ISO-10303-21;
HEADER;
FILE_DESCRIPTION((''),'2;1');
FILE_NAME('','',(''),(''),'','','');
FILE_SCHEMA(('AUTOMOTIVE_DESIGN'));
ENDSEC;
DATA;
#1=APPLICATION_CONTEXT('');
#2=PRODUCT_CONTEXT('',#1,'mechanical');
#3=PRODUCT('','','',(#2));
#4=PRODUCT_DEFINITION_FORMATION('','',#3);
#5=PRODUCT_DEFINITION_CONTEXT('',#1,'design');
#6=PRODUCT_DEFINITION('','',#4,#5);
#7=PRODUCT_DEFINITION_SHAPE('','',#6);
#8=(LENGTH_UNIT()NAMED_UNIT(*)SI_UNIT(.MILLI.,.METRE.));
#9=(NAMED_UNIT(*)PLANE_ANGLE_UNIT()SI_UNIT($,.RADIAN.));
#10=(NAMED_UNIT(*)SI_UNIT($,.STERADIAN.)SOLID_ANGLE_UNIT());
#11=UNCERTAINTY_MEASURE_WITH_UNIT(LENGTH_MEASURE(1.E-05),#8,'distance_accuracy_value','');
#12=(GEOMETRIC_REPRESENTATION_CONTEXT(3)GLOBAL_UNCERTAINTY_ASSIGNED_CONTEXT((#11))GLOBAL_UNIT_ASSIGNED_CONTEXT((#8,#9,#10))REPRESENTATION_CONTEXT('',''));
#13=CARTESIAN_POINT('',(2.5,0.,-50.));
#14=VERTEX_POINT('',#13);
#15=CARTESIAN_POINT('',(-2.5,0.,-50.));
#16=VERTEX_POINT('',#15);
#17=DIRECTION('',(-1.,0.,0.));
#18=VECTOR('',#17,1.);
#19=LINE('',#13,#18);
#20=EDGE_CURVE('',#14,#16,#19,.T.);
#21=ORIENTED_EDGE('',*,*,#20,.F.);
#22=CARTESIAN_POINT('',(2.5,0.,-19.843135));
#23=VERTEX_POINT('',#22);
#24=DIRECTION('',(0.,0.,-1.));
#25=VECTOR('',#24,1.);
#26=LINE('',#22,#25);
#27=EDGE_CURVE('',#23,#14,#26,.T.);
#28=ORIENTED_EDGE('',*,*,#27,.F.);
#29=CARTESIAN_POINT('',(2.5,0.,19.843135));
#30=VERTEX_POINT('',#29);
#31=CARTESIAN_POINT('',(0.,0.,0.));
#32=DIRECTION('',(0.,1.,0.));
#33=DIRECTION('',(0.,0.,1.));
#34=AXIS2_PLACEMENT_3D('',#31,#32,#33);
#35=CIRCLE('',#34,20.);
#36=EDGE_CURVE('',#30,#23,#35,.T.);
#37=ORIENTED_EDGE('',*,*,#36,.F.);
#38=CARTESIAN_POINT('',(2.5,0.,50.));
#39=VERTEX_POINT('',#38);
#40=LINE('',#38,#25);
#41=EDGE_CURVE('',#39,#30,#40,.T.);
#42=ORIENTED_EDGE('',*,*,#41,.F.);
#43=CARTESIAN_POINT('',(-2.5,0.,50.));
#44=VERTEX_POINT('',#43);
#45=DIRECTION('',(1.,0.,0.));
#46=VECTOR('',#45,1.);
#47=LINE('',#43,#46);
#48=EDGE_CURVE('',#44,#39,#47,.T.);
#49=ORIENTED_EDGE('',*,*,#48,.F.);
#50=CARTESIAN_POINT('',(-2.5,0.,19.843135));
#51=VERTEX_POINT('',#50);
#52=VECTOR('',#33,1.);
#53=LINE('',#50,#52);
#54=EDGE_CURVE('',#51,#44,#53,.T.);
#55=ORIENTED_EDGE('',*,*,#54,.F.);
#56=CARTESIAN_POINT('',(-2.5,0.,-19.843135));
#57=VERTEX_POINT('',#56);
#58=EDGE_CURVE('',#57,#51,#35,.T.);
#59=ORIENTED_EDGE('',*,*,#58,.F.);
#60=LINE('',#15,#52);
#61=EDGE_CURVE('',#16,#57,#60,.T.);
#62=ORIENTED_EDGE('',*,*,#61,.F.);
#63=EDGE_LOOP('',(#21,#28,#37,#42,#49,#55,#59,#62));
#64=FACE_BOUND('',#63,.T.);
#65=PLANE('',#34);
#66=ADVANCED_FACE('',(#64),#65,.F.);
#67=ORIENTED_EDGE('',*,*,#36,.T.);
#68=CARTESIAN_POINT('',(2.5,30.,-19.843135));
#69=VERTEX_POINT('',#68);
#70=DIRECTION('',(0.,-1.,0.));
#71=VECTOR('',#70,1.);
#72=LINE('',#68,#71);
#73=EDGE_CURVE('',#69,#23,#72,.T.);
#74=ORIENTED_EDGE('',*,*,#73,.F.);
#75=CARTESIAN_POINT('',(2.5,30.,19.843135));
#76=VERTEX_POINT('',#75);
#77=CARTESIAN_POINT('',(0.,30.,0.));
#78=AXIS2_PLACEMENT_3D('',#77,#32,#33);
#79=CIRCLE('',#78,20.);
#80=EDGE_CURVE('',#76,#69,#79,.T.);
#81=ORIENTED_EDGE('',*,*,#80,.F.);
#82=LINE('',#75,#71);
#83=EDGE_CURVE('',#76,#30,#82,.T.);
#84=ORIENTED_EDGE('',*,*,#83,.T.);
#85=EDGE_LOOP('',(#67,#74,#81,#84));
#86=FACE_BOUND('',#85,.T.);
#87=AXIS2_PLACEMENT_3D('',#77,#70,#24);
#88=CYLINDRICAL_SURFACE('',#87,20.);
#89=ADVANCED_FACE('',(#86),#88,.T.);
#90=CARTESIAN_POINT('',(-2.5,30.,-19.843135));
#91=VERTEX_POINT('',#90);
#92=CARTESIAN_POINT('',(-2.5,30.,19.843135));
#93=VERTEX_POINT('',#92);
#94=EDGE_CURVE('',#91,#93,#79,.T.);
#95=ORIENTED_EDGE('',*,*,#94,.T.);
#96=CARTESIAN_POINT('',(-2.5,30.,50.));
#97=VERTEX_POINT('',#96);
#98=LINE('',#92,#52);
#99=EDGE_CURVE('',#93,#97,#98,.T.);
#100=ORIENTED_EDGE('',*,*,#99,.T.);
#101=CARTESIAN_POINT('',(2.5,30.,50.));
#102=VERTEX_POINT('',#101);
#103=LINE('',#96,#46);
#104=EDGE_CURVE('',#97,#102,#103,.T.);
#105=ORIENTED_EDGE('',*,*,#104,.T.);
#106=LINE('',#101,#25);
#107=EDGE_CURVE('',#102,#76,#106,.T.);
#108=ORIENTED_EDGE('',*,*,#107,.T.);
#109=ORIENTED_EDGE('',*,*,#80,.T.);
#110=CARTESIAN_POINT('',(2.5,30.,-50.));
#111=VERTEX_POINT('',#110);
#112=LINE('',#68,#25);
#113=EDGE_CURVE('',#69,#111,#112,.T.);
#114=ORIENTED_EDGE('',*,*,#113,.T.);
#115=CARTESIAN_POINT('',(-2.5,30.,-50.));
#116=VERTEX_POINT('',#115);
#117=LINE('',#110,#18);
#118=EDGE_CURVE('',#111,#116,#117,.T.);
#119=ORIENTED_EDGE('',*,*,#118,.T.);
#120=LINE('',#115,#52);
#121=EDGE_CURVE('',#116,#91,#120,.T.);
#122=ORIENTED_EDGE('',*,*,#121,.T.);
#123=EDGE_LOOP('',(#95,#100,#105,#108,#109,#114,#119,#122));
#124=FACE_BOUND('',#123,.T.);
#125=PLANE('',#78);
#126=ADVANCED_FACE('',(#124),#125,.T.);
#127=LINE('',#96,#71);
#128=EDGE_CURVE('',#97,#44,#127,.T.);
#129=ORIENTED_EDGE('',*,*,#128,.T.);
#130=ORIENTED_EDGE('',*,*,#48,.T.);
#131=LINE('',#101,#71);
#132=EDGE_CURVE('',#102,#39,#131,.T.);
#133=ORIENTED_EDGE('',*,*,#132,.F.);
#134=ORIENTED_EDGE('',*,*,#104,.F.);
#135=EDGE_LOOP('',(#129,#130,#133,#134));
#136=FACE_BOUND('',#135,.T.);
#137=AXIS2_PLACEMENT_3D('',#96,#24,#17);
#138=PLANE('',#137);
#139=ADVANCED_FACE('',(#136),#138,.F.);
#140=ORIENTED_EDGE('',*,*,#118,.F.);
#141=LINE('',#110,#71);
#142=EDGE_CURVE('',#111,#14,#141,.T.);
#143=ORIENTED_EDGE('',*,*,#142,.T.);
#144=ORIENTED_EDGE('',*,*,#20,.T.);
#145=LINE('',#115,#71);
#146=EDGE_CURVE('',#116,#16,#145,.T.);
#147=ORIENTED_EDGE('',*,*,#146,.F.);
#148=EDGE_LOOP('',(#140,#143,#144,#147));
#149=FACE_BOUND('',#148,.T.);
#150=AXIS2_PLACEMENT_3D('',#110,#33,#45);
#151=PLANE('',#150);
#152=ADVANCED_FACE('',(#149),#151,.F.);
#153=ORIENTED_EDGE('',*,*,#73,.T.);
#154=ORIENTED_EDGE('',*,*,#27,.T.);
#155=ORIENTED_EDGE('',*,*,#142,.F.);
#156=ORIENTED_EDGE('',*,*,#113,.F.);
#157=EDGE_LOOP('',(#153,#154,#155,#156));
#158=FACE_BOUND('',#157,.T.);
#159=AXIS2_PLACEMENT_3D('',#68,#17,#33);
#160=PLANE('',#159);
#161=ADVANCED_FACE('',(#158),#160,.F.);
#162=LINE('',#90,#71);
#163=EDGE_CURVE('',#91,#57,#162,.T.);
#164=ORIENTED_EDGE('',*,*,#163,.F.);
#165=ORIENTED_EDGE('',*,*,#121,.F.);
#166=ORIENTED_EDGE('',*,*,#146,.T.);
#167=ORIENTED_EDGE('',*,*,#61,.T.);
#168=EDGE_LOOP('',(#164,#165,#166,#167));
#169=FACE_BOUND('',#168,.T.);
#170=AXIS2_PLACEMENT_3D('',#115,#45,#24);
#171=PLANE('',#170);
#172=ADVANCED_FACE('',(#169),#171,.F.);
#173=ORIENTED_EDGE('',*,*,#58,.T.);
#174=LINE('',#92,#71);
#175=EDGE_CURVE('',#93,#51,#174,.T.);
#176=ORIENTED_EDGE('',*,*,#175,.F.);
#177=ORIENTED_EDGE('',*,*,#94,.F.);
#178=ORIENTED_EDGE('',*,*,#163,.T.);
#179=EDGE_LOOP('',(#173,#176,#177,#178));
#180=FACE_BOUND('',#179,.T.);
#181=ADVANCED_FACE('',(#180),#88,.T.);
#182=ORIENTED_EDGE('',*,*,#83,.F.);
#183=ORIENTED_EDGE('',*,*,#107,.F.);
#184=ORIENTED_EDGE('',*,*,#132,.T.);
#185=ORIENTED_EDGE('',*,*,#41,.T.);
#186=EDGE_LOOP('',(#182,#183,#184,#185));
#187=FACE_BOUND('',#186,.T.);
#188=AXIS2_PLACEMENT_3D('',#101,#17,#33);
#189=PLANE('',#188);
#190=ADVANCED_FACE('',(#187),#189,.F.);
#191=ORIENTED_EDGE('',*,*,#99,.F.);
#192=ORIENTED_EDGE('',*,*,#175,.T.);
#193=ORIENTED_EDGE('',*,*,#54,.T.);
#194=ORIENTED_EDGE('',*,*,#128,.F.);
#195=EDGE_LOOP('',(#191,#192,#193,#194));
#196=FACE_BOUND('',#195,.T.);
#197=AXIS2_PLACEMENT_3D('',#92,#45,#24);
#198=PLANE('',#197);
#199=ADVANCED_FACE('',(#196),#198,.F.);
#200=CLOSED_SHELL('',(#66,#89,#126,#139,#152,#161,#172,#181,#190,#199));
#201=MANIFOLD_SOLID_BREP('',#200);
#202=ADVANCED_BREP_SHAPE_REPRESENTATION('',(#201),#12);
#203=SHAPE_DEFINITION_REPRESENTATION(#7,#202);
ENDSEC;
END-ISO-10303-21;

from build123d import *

# Parameters (mm, degrees)
EXTRUDE_1_DEPTH = 30


with BuildPart() as part:
    # 草图1 → 凸台-拉伸1 (new body)
    with BuildSketch(Plane(origin=(0, 0, 0), x_dir=(1, 0, 0), z_dir=(0, 1, 0))):
        with BuildLine():
            Line((-2.5, 50), (-2.5, 19.843134833))
            ThreePointArc((-2.5, 19.843134833), (-20, 0), (-2.5, -19.843134833))
            Line((-2.5, -19.843134833), (-2.5, -50))
            Line((-2.5, -50), (2.5, -50))
            Line((2.5, -50), (2.5, -19.843134833))
            ThreePointArc((2.5, -19.843134833), (20, 0), (2.5, 19.843134833))
            Line((2.5, 19.843134833), (2.5, 50))
            Line((2.5, 50), (-2.5, 50))
        make_face()
    extrude(amount=EXTRUDE_1_DEPTH)


solid = part.part
